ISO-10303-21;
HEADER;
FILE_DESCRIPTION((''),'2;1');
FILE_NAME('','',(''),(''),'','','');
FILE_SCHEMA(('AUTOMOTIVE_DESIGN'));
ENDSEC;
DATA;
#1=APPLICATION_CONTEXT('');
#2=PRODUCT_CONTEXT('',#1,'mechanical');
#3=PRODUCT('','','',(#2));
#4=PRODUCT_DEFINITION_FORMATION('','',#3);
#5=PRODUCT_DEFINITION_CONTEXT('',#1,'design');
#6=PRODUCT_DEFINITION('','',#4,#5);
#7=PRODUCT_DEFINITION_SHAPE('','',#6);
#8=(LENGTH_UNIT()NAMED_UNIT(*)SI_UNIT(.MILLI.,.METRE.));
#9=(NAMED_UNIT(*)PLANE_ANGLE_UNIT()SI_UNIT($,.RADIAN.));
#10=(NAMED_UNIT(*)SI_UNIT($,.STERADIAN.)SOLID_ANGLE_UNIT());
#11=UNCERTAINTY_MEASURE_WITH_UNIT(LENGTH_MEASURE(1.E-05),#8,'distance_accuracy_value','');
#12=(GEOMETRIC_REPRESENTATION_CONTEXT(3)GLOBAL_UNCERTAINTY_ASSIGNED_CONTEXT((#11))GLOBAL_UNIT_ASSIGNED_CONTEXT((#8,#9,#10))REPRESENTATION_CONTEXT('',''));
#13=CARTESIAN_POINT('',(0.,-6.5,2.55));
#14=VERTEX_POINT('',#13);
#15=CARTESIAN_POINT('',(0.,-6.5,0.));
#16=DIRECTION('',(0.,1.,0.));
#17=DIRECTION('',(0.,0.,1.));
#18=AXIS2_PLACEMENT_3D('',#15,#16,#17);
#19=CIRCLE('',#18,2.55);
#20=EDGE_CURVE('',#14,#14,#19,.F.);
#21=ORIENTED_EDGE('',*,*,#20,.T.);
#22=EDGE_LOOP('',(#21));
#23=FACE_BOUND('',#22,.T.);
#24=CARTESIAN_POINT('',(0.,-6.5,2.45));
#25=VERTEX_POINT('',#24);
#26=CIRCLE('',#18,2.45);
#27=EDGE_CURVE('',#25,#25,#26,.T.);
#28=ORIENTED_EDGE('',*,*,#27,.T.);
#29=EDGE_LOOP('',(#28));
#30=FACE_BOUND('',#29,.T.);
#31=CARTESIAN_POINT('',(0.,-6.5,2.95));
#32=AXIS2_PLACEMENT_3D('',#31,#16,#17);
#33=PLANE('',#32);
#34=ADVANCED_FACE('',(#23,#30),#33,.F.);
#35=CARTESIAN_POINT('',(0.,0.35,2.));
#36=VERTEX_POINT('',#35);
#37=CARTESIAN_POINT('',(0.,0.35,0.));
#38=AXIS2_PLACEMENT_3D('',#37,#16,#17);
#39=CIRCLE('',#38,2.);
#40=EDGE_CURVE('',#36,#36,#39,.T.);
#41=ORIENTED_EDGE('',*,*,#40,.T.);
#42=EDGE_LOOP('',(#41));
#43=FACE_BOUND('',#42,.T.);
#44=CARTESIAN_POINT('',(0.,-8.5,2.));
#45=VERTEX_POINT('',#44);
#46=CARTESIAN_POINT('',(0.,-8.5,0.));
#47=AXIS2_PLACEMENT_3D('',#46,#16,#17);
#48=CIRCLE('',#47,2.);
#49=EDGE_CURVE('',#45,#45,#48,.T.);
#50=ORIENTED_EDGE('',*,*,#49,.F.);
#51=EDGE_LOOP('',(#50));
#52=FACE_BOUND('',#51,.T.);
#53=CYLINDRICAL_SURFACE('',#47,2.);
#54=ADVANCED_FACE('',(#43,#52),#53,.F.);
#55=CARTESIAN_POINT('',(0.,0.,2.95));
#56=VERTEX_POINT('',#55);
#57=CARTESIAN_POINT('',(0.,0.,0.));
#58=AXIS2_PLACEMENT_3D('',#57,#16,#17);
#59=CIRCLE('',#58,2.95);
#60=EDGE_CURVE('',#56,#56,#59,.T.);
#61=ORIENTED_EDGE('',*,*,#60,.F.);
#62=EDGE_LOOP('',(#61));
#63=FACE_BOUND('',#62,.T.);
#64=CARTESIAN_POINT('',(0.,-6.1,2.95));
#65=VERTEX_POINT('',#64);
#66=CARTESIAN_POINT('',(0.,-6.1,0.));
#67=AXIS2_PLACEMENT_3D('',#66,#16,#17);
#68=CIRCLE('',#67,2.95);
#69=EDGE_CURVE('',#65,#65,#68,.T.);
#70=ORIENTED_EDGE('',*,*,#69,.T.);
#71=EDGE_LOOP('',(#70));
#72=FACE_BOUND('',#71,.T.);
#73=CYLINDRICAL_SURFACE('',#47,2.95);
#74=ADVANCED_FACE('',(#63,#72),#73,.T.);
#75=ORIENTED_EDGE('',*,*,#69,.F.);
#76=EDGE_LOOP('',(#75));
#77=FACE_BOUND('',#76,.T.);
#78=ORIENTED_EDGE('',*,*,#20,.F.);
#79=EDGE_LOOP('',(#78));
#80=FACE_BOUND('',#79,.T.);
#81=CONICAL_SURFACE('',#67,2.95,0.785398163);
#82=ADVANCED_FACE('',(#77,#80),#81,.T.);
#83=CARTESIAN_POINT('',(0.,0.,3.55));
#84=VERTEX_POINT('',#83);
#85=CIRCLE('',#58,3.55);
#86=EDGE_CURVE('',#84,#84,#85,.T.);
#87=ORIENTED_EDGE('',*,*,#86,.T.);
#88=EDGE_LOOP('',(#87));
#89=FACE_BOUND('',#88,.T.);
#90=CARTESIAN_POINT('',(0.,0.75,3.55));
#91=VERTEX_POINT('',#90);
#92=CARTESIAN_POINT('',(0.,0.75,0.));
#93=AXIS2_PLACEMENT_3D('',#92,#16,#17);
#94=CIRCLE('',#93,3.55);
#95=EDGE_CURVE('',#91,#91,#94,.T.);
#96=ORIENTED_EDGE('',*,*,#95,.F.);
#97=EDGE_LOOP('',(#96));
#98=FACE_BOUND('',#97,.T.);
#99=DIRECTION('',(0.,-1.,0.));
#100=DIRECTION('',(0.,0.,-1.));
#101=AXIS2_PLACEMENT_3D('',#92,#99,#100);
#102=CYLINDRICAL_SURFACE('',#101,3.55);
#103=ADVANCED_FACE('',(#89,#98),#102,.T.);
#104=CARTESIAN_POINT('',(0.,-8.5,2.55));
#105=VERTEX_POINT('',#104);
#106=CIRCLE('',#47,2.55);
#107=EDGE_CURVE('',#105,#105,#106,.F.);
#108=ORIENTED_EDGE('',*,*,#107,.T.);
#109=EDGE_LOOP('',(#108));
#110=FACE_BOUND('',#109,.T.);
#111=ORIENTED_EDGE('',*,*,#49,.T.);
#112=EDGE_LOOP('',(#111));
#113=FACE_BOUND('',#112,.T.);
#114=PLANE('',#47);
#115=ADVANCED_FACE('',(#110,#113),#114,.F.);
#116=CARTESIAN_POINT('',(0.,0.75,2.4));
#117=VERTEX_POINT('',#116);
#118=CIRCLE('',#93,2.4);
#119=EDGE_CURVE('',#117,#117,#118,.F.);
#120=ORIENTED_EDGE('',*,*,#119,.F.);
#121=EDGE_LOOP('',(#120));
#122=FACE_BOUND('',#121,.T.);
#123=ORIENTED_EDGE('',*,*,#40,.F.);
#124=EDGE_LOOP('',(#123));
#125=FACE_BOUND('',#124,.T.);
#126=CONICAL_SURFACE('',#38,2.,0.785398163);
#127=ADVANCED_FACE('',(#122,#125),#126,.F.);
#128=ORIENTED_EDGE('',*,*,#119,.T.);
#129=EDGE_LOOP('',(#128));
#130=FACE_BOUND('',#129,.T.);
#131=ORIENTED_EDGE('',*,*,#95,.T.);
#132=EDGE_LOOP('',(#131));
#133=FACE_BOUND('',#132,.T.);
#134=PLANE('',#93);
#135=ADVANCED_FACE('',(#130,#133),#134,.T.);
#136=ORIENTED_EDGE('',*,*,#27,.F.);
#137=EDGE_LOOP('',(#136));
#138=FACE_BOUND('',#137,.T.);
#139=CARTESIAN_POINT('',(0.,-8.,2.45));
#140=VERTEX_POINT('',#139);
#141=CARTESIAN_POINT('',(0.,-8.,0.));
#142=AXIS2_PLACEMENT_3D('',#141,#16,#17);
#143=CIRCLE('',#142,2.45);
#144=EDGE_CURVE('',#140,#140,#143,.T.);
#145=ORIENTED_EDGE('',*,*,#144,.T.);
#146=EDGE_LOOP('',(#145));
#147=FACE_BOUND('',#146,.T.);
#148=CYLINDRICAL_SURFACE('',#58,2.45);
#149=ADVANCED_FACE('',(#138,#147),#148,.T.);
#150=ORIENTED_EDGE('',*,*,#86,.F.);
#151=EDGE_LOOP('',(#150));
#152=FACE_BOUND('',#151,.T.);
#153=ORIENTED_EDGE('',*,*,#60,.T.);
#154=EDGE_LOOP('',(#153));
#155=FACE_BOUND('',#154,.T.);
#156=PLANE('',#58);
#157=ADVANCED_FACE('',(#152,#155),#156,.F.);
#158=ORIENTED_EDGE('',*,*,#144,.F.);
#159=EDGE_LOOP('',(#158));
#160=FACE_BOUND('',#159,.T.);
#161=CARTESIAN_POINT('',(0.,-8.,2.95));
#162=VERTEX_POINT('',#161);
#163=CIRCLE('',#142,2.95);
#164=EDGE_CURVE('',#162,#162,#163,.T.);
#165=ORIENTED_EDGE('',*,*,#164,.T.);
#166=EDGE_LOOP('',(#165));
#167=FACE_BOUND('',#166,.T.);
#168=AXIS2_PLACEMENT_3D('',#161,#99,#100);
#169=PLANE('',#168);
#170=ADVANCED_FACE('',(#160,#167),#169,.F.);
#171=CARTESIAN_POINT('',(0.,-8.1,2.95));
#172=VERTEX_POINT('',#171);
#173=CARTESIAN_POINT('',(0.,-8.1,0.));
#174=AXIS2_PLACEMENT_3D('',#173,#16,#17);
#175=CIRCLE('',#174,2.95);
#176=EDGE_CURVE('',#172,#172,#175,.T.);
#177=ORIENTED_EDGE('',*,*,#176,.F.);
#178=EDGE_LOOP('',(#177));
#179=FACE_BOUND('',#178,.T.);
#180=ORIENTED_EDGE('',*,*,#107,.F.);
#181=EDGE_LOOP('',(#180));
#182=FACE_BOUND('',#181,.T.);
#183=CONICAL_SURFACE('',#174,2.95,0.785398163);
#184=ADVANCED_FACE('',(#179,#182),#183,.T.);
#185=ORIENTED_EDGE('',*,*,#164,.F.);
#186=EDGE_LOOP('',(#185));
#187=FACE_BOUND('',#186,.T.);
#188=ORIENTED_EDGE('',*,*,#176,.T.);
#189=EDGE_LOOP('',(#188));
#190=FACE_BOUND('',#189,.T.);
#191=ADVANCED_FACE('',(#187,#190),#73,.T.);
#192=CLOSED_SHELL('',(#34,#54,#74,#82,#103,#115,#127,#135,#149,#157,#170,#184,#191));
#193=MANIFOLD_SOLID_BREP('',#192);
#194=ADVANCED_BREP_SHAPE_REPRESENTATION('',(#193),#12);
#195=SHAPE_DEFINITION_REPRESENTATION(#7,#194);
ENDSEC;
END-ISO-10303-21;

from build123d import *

# Parameters (mm, degrees)
SKETCH_1_R      = 2.95
SKETCH_1_R_2    = 2
EXTRUDE_1_DEPTH = 8.5
EXTRUDE_START   = 0.75
SKETCH_2_R      = 3.55
SKETCH_2_R_2    = 2
EXTRUDE_2_DEPTH = 0.75
SKETCH_3_W      = 0.5
SKETCH_3_H      = 1.5
CHAMFER_1_SIZE  = 0.4


with BuildPart() as part:
    # 草图1 → 凸台-拉伸1 (new body)
    with BuildSketch(Plane(origin=(0, 0, 0), x_dir=(1, 0, 0), z_dir=(0, 1, 0))):
        with Locations(Location((0, 0, 0), (0, 0, 270))):
            Circle(SKETCH_1_R)
        with Locations(Location((0, 0, 0), (0, 0, 270))):
            Circle(SKETCH_1_R_2, mode=Mode.SUBTRACT)
    extrude(amount=-EXTRUDE_1_DEPTH)

    # 草图2 → 凸台-拉伸2 (add)
    with BuildSketch(Plane(origin=(0, 0, 0), x_dir=(1, 0, 0), z_dir=(0, 1, 0)).offset(EXTRUDE_START)):
        with Locations(Location((0, 0, 0), (0, 0, 270))):
            Circle(SKETCH_2_R)
        with Locations(Location((0, 0, 0), (0, 0, 270))):
            Circle(SKETCH_2_R_2, mode=Mode.SUBTRACT)
    extrude(amount=-EXTRUDE_2_DEPTH)

    # 草图3 → 切除-旋转1 (revolve, cut)
    with BuildSketch(Plane(origin=(0, 0, 0), x_dir=(0, 0, -1), z_dir=(1, 0, 0))):
        with Locations((-2.7, -7.25)):
            Rectangle(SKETCH_3_W, SKETCH_3_H)
    revolve(axis=Axis((0, 0, 0), (0, -1, 0)), mode=Mode.SUBTRACT)

    # 倒角1
    chamfer_1_edges = [part.edges().sort_by_distance(p)[0] for p in [
        (0, 0.75, -2),
        (0, -6.5, -2.95),
        (0, -8.5, -2.95),
    ]]
    chamfer(chamfer_1_edges, length=CHAMFER_1_SIZE)


solid = part.part
